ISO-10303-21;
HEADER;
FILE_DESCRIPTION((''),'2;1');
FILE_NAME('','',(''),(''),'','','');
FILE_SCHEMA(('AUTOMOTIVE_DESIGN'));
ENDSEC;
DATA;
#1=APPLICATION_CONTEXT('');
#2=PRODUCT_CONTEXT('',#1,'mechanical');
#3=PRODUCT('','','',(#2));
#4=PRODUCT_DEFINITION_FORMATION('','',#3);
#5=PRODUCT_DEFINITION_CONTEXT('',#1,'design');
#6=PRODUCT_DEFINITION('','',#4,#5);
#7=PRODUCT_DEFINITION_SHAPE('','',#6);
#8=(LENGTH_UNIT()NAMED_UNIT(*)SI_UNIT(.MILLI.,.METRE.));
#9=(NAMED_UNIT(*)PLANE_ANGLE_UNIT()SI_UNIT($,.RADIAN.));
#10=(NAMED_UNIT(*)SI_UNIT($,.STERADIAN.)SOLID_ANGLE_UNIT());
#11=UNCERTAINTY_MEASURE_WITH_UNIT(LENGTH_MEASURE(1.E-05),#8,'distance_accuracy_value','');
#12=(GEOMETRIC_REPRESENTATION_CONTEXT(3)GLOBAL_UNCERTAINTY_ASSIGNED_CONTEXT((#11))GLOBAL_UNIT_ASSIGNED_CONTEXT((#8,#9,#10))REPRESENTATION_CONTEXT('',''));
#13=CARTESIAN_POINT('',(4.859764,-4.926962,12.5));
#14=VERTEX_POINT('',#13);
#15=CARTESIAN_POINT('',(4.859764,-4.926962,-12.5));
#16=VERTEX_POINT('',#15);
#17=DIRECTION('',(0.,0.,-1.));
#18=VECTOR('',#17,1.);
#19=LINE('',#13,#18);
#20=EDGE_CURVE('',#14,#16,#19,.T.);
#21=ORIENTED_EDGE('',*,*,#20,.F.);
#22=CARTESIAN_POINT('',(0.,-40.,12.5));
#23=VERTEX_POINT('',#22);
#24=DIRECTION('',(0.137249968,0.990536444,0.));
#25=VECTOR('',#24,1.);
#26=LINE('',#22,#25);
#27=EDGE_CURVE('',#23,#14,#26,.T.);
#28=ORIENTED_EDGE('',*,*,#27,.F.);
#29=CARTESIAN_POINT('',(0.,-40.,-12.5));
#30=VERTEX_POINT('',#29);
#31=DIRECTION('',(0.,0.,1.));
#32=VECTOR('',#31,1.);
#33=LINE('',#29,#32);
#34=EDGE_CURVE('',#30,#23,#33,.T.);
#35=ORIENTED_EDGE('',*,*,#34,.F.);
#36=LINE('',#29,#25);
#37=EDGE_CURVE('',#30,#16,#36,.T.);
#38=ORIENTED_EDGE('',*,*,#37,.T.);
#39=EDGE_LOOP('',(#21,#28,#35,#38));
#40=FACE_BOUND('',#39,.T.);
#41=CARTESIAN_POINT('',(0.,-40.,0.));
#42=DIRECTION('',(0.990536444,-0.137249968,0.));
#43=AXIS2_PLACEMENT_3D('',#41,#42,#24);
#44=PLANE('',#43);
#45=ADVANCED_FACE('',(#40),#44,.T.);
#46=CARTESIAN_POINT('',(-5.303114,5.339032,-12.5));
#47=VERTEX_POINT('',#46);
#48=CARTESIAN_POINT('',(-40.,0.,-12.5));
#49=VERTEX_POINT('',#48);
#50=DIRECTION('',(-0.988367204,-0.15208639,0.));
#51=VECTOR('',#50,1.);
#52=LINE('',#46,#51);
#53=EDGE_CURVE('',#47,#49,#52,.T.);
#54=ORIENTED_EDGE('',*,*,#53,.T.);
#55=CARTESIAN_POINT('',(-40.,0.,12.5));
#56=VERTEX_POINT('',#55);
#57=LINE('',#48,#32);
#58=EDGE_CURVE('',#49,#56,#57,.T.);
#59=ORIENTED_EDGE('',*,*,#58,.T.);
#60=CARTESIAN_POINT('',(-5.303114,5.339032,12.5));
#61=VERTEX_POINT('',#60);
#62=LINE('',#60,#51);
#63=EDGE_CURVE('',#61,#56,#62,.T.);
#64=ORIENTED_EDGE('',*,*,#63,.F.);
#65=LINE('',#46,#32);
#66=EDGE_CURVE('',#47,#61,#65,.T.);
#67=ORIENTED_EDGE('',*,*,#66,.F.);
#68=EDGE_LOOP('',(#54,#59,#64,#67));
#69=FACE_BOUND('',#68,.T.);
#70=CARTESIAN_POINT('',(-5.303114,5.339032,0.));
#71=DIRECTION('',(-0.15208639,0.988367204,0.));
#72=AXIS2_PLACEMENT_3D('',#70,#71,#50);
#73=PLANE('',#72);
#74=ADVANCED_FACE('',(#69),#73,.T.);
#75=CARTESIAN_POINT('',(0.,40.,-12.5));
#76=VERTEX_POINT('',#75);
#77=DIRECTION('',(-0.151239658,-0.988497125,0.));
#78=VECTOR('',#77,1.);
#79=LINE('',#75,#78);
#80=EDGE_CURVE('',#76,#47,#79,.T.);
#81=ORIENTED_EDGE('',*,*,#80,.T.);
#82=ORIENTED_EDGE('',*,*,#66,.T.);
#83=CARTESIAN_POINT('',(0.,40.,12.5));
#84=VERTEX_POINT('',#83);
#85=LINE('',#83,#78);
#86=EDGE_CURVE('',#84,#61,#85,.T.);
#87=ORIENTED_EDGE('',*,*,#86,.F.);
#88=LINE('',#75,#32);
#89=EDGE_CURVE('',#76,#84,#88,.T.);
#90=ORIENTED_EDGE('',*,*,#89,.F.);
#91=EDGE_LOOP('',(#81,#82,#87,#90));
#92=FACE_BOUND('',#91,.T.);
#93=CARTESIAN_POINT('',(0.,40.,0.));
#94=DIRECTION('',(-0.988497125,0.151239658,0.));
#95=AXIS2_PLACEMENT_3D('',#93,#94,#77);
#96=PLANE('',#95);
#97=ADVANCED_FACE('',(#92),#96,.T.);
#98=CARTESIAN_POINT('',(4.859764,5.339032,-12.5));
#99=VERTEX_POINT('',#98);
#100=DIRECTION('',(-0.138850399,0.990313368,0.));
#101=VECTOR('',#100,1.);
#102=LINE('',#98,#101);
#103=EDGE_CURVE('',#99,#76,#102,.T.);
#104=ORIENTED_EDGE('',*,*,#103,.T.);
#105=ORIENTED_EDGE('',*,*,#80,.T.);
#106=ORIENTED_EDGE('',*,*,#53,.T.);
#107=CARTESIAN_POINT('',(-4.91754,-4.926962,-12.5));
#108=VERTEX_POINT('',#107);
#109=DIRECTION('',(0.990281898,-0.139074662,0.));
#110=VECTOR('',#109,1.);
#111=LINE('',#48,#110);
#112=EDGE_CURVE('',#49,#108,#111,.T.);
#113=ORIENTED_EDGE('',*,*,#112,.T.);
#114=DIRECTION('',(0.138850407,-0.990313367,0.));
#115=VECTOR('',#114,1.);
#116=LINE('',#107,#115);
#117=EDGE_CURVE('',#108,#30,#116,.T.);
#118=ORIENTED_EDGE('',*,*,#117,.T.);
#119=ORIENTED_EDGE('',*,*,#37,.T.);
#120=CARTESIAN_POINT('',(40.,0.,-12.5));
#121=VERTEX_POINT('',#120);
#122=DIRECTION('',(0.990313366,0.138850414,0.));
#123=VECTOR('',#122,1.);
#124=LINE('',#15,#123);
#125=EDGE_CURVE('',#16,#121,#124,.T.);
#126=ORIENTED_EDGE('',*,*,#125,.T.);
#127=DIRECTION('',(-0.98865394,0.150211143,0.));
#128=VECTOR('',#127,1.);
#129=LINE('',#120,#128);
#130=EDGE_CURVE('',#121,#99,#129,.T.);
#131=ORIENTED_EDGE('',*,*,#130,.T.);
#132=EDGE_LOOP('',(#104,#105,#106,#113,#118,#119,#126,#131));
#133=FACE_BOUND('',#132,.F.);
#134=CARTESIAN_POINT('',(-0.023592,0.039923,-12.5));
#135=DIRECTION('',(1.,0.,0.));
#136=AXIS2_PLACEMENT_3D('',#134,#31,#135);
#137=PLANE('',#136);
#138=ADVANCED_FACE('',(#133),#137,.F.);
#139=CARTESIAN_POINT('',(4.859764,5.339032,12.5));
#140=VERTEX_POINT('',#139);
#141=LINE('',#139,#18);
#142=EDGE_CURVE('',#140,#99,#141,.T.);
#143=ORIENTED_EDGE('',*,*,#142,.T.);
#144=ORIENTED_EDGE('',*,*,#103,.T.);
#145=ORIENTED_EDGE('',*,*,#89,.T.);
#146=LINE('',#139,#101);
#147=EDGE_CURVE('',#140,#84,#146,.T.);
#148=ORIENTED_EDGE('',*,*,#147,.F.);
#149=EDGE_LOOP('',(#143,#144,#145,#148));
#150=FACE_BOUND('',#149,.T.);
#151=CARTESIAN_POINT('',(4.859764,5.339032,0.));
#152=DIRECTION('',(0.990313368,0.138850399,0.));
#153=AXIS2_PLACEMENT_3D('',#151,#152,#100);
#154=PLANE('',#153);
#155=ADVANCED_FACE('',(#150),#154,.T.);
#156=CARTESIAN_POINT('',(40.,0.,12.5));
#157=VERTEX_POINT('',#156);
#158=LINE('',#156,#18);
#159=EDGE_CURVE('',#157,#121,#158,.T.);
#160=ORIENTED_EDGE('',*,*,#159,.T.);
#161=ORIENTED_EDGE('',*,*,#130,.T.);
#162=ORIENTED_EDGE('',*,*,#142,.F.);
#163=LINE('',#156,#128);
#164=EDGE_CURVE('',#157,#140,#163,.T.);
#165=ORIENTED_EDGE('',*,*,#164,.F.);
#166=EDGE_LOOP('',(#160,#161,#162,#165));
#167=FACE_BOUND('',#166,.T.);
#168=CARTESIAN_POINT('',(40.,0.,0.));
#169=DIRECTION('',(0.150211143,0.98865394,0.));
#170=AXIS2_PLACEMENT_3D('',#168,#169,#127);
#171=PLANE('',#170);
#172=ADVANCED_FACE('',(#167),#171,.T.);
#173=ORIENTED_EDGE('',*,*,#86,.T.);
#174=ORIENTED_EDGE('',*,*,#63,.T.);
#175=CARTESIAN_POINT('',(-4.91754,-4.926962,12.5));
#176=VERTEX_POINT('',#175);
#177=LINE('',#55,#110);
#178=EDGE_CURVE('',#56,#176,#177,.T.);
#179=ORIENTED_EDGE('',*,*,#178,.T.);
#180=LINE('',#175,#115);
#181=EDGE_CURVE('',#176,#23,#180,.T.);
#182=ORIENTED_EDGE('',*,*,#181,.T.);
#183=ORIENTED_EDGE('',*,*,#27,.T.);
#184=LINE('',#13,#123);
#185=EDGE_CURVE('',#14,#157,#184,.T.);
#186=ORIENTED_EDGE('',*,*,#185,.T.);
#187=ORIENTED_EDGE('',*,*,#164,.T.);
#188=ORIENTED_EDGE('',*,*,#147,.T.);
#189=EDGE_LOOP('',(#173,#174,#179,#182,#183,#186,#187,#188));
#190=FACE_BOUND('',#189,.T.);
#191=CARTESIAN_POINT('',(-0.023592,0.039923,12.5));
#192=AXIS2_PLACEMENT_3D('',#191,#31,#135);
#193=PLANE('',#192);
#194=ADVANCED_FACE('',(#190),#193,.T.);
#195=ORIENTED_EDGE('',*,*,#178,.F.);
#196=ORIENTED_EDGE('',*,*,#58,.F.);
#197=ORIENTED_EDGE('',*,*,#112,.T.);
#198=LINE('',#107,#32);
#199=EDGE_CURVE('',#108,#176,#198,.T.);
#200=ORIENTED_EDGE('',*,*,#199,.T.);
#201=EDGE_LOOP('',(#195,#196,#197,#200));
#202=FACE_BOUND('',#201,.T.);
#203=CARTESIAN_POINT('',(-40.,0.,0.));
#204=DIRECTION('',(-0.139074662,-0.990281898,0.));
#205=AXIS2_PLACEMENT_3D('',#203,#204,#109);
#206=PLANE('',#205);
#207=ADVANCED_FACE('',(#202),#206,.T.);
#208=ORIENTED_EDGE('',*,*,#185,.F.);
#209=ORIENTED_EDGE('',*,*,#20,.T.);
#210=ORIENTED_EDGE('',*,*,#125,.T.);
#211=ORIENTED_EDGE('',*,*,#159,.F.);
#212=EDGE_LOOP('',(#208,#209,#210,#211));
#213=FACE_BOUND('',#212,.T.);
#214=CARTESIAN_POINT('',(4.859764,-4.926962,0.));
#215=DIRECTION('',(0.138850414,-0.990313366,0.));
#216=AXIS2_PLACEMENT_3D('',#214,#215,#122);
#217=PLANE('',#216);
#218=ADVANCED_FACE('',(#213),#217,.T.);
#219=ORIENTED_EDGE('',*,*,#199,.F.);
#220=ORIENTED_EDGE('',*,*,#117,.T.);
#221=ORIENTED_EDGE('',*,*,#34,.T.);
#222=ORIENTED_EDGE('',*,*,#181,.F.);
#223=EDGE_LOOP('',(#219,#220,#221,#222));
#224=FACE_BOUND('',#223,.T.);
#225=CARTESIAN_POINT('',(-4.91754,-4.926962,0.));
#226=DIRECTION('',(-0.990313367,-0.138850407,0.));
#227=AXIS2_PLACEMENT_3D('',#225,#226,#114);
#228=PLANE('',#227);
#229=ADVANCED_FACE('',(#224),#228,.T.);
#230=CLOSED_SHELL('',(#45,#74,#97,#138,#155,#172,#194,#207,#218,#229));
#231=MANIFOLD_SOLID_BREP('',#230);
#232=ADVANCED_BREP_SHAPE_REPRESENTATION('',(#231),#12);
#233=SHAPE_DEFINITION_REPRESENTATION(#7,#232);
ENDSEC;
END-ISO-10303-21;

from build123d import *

# Parameters (mm, degrees)
F1_DEPTH = 12.5


with BuildPart() as f1:
    # F0 (on Top) → F1 (new body, symmetric)
    with BuildSketch(Plane.XY):
        Polygon((4.859764, 5.339032), (0, 40), (-5.303114, 5.339032), (-40, 0), (-4.91754, -4.926962), (0, -40), (4.859764, -4.926962), (40, 0), align=None)
    extrude(amount=F1_DEPTH, both=True)


solid = f1.part
